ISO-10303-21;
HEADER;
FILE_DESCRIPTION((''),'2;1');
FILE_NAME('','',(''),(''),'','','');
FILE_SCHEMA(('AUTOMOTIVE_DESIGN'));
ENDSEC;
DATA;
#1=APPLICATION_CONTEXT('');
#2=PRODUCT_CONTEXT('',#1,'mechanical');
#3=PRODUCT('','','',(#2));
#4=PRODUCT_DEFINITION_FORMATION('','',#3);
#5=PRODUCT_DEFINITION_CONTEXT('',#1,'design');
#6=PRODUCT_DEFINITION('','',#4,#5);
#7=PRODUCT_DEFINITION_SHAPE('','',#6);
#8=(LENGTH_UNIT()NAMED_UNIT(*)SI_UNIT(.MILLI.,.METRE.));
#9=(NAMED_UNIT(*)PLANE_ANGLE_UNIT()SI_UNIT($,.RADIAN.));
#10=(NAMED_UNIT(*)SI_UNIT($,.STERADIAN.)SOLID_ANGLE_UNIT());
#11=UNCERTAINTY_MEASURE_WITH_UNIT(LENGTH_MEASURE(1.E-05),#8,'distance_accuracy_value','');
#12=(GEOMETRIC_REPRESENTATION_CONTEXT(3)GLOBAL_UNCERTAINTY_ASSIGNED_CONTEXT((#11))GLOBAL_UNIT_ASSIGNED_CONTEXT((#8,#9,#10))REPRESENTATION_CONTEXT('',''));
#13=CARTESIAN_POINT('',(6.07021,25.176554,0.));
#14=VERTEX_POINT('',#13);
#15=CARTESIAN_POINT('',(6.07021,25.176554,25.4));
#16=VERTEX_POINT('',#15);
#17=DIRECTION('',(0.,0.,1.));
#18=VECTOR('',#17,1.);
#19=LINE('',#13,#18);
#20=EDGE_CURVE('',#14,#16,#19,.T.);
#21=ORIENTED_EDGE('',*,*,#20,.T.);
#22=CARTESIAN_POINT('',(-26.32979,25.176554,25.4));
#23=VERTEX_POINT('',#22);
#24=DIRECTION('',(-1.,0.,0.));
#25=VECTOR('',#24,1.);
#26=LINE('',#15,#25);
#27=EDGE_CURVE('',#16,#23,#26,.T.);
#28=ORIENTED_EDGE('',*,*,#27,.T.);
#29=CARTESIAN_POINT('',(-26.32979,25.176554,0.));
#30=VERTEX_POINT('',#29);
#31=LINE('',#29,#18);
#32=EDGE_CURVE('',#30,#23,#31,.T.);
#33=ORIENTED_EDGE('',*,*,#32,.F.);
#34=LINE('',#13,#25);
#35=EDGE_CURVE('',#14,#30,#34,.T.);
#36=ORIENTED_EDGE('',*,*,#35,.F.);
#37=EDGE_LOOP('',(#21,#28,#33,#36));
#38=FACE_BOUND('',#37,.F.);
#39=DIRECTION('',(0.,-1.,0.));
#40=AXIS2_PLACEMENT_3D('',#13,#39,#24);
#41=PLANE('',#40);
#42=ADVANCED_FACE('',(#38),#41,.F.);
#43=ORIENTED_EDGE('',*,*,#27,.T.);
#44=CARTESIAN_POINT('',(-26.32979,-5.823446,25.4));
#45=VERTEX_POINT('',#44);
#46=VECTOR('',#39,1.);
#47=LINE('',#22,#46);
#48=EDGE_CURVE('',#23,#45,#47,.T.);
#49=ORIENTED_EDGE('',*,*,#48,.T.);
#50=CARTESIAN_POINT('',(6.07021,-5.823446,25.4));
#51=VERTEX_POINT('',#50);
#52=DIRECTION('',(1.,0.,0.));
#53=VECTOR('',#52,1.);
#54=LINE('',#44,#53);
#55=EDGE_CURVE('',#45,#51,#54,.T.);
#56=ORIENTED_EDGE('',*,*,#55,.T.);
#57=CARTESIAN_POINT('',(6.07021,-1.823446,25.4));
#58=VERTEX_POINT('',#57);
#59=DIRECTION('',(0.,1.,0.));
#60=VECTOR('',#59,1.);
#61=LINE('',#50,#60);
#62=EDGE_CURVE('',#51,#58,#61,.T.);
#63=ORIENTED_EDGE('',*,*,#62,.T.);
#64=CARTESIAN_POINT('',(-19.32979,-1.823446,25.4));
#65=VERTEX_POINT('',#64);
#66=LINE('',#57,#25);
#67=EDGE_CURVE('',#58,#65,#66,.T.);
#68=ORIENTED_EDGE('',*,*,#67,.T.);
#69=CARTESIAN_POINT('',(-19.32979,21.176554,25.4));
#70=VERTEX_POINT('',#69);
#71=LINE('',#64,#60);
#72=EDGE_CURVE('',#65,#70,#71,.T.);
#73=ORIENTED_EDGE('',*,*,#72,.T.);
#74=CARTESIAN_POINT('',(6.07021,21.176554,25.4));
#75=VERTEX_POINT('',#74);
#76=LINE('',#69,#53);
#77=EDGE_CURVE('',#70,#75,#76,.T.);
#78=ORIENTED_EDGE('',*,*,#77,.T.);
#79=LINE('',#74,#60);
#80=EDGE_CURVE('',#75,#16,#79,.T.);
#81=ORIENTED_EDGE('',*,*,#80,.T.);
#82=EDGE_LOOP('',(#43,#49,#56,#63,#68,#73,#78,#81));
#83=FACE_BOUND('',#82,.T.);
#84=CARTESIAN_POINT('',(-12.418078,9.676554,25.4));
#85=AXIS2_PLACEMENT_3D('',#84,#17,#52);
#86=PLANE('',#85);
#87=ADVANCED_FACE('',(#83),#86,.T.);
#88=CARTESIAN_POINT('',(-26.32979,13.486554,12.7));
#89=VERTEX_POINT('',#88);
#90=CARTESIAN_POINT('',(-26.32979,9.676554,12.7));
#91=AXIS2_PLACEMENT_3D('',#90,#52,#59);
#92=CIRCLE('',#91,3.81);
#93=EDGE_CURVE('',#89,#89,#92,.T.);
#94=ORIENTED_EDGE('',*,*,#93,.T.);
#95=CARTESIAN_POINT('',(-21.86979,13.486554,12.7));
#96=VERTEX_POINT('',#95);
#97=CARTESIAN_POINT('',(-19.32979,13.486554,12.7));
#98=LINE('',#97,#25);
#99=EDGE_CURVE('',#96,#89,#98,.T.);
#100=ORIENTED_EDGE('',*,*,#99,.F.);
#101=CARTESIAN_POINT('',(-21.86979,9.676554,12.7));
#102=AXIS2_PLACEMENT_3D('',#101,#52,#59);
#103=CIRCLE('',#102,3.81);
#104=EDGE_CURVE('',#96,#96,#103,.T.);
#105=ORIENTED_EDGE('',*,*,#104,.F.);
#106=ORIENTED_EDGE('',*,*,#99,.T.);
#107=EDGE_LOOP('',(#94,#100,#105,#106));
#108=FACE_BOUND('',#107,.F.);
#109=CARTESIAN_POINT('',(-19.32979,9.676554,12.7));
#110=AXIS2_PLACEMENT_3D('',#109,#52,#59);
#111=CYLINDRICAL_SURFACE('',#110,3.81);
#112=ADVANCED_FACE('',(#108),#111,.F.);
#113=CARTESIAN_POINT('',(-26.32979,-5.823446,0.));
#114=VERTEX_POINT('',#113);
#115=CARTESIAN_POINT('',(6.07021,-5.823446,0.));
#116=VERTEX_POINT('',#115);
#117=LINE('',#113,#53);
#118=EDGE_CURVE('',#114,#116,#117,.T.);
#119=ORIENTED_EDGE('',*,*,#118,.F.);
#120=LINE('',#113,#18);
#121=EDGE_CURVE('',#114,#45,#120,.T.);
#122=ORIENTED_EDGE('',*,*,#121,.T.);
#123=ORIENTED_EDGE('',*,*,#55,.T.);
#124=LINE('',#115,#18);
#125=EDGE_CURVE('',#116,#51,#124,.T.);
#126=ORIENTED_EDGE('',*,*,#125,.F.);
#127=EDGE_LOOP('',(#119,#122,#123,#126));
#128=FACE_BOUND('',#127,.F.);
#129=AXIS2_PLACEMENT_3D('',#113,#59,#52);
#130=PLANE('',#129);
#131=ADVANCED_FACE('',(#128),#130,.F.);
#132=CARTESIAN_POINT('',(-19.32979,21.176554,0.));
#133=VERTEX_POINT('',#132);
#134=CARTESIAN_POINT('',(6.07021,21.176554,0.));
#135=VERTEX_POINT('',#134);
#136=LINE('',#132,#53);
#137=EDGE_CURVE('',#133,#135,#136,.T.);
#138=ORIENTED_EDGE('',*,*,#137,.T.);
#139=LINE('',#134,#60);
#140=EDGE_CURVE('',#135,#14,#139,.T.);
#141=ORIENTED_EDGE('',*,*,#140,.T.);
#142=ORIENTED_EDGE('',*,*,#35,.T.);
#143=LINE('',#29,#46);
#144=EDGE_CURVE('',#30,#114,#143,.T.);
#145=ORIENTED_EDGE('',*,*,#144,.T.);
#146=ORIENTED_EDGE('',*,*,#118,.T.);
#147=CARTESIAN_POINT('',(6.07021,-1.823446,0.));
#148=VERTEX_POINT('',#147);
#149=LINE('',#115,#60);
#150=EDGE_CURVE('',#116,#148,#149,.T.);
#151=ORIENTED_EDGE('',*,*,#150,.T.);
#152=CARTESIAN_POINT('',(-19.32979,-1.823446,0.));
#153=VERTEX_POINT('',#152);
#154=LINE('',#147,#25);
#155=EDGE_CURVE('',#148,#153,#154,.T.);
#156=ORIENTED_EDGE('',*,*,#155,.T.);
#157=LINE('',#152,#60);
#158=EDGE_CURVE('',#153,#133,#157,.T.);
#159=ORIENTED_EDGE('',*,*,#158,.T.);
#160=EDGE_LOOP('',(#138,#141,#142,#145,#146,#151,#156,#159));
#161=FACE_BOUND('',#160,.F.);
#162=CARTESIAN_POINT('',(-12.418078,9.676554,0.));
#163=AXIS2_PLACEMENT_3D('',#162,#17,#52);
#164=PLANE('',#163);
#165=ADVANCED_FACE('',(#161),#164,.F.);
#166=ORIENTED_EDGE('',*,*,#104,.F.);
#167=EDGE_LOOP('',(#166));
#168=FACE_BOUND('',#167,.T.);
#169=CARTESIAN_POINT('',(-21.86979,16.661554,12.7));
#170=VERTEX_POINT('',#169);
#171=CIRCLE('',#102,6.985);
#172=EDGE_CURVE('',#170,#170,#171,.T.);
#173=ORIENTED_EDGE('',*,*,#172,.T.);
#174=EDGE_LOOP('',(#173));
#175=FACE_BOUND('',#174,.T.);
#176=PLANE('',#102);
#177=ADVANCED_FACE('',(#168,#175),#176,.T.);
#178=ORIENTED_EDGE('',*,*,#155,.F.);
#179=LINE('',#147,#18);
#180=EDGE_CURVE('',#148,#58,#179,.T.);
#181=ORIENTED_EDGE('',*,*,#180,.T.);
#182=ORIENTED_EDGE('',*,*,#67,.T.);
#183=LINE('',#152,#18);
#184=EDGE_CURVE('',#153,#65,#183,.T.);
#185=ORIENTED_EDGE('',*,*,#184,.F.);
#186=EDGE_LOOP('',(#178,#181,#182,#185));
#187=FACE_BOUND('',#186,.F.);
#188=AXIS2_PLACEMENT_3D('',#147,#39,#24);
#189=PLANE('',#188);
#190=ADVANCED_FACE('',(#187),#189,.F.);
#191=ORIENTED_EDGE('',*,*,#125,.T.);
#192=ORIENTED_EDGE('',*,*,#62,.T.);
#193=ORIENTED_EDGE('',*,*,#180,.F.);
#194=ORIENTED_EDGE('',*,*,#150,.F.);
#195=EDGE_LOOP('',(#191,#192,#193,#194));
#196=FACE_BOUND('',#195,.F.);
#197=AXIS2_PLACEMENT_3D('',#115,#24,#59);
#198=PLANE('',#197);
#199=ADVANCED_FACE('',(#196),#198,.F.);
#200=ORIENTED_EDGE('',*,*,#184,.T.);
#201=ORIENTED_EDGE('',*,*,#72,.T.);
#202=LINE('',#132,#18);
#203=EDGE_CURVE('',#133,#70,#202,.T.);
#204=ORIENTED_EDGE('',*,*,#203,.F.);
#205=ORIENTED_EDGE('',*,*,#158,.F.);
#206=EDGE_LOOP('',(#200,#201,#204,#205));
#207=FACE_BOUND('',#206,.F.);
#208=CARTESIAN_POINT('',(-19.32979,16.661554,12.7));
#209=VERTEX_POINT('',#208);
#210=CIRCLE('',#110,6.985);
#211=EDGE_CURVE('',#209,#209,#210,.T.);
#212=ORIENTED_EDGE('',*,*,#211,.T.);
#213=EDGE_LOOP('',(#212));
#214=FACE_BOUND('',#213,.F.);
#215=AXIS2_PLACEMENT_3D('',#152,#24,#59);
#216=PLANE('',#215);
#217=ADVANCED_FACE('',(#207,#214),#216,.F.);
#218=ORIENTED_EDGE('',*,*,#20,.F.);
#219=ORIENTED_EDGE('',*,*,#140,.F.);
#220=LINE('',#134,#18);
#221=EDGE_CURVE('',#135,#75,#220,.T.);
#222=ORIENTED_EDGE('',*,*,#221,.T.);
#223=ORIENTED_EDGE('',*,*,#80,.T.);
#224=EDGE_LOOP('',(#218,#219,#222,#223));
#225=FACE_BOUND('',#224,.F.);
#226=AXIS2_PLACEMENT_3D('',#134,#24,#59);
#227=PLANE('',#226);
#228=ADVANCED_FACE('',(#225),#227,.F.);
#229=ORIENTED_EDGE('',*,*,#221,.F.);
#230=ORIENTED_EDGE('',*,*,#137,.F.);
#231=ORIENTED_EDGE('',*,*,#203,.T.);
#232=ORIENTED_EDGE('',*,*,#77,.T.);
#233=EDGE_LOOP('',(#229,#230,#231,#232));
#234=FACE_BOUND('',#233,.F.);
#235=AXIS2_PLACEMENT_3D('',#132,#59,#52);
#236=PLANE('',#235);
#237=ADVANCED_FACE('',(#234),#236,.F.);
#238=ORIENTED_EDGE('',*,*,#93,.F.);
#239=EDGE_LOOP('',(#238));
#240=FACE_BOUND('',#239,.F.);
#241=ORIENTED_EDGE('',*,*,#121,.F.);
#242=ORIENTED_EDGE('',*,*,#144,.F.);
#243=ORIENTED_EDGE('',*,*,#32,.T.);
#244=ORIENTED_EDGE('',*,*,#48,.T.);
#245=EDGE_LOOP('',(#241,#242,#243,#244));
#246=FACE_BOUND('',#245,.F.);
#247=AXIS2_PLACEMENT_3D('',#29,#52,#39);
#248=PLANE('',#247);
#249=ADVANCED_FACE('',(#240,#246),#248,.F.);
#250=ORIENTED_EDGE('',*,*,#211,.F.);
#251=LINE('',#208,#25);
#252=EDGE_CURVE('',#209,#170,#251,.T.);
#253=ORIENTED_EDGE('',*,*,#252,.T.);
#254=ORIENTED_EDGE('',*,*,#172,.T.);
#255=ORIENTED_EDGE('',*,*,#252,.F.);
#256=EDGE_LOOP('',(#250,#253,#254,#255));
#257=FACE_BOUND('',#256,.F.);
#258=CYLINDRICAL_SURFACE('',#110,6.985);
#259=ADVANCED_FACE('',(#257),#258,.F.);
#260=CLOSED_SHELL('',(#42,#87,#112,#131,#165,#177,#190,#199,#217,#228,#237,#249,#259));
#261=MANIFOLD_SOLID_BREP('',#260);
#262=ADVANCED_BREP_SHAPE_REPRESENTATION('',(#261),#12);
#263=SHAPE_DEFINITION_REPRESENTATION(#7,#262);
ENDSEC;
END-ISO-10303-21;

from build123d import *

# Parameters (mm, degrees)
F1_DEPTH = 25.4
F2_R     = 6.985
F2_R_2   = 3.81
F3_DEPTH = 2.54
F4_DEPTH = 7


with BuildPart() as f1:
    # F0 (on Top) → F1 (new body)
    with BuildSketch(Plane.XY):
        Polygon((-19.32979, -1.823446), (-19.32979, 21.176554), (6.07021, 21.176554), (6.07021, 25.176554), (-26.32979, 25.176554), (-26.32979, -5.823446), (6.07021, -5.823446), (6.07021, -1.823446), align=None)
    extrude(amount=F1_DEPTH)

    # F2 (on face) → F3 (cut)
    with BuildSketch(Plane.YZ.offset(-19.32979)):
        with Locations((9.676554, 12.7)):
            Circle(F2_R)
        with Locations((9.676554, 12.7)):
            Circle(F2_R_2, mode=Mode.SUBTRACT)
        with Locations((9.676554, 12.7)):
            Circle(F2_R_2)
    extrude(amount=-F3_DEPTH, mode=Mode.SUBTRACT)

    # F2 (on face) → F4 (cut, through all)
    with BuildSketch(Plane.YZ.offset(-19.32979)):
        with Locations((9.676554, 12.7)):
            Circle(F2_R_2)
    extrude(amount=-F4_DEPTH, mode=Mode.SUBTRACT)


solid = f1.part
